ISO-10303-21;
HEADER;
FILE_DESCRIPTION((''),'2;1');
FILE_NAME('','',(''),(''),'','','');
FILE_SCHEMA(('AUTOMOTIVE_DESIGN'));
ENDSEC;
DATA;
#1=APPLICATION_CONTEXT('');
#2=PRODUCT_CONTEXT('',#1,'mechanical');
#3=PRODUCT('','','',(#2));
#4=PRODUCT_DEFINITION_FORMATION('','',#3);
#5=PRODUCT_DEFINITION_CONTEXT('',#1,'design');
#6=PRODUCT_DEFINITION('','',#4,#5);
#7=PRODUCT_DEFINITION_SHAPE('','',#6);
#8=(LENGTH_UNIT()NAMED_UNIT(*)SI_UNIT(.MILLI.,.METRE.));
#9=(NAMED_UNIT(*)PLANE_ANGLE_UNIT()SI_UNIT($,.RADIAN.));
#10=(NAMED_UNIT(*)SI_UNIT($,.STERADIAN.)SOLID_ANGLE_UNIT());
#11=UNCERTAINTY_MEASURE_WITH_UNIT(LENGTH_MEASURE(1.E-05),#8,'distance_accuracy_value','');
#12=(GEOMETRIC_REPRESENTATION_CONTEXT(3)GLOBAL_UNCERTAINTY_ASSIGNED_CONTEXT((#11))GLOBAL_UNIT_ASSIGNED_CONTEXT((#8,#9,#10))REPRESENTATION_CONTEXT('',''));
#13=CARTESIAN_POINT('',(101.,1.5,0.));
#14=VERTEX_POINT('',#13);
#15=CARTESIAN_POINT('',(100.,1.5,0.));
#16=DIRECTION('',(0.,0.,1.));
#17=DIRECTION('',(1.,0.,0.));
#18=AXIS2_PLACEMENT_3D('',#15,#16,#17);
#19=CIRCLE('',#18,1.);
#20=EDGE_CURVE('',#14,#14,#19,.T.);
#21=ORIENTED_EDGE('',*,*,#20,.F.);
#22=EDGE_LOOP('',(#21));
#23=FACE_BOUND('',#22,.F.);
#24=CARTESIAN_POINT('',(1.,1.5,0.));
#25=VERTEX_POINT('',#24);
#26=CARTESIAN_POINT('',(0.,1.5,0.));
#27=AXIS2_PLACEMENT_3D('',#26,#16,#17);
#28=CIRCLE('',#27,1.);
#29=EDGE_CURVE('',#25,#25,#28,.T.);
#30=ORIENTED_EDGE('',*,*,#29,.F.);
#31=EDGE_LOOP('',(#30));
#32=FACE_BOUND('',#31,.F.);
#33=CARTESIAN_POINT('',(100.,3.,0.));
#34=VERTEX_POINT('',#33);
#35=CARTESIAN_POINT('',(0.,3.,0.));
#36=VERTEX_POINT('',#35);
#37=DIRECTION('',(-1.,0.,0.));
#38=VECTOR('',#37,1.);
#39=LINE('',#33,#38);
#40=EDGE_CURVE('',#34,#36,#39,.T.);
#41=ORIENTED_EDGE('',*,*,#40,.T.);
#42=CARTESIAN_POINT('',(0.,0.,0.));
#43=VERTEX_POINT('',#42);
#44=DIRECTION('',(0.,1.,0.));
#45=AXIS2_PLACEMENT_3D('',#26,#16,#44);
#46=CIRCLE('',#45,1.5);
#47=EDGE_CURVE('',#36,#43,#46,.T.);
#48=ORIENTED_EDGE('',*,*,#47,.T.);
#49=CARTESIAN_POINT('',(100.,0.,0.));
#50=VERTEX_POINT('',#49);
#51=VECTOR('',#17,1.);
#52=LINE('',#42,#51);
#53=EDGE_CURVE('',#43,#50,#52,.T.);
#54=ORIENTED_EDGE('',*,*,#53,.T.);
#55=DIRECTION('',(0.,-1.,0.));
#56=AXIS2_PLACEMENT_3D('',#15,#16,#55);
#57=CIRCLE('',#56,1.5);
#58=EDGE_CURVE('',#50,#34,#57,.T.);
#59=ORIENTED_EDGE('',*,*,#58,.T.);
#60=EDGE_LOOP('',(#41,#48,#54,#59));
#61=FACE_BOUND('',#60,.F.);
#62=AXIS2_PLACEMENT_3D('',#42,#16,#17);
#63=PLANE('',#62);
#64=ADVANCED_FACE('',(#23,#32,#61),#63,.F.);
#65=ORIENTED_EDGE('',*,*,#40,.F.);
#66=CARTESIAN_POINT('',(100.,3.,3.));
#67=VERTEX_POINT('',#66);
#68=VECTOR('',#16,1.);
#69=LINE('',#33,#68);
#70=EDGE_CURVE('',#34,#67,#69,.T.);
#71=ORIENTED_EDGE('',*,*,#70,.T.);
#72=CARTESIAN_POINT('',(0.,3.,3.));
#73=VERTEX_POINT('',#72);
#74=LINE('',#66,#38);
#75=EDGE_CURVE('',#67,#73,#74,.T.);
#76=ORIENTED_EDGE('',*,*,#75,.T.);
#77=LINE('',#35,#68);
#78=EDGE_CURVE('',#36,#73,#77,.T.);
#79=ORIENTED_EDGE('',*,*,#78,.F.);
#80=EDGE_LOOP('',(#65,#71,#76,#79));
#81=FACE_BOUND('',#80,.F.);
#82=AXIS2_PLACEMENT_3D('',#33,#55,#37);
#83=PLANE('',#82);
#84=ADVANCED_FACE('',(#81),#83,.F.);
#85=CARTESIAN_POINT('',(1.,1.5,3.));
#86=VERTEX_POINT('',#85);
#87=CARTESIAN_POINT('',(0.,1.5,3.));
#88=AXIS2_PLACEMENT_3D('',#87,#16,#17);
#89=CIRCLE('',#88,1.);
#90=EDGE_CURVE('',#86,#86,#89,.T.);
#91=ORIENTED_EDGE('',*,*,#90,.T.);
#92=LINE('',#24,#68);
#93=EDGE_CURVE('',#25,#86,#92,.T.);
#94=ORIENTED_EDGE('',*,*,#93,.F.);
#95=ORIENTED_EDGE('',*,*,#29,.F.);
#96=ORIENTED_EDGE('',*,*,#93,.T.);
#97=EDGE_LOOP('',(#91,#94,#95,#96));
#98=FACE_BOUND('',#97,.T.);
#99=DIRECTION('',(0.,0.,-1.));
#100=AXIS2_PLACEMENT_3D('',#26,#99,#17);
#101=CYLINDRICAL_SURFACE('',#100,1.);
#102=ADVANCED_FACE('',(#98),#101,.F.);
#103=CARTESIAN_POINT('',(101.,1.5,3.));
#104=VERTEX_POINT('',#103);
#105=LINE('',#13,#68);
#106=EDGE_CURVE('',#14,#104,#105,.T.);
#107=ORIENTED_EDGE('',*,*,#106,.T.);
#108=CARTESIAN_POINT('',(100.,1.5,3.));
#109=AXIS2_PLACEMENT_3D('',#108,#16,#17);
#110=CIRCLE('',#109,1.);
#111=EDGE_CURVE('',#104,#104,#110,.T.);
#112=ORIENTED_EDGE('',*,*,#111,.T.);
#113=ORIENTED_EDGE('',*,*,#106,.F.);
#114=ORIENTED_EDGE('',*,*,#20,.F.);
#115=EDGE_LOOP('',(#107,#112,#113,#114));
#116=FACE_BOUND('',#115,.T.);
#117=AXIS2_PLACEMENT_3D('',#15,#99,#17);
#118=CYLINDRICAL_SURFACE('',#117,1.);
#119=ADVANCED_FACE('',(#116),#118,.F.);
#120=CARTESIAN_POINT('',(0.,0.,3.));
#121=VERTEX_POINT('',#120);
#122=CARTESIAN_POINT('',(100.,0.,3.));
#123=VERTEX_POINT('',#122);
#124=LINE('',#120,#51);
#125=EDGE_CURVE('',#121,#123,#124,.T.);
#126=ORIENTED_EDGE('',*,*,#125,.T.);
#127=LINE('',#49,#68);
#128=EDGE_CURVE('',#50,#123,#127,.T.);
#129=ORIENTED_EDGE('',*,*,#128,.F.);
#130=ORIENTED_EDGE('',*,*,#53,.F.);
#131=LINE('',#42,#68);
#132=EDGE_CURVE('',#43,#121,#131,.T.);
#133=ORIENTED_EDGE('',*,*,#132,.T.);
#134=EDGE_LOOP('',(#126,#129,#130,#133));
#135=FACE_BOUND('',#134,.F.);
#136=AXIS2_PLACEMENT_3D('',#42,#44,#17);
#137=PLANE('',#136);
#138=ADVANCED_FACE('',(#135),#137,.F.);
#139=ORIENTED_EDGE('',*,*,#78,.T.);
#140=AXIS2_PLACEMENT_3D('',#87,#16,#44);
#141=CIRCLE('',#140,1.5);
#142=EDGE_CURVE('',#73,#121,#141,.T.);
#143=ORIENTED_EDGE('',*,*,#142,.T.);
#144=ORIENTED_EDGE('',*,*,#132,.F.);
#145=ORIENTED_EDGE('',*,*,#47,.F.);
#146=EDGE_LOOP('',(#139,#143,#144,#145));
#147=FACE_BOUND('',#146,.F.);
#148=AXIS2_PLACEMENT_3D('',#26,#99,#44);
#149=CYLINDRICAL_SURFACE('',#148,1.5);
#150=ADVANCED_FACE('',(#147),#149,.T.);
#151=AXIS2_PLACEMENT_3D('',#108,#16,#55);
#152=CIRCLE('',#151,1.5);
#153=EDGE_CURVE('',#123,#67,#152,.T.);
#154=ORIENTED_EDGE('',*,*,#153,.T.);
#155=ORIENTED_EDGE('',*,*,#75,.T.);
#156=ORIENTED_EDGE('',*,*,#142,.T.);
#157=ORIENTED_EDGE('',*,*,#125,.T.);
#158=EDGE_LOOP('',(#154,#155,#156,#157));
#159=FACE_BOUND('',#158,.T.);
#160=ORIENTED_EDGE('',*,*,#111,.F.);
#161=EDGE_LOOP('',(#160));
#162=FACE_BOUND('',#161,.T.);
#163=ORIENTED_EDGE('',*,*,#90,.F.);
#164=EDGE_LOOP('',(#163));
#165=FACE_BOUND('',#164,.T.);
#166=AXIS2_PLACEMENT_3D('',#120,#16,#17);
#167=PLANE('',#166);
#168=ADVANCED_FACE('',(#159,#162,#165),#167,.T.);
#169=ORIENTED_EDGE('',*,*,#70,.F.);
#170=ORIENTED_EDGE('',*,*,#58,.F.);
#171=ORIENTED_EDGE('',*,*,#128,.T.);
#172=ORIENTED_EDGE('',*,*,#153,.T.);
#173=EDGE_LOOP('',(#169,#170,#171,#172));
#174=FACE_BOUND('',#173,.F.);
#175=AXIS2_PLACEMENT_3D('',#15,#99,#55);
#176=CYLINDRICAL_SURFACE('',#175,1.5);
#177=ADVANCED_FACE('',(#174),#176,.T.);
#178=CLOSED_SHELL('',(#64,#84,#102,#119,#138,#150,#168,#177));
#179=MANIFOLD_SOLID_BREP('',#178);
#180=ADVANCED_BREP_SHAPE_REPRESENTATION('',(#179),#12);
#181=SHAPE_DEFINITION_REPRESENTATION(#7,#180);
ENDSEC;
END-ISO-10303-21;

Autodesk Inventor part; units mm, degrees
ref_plane "YZ Plane" through (0, 0, 0) normal (1, 0, 0) x (0, 1, 0)
ref_plane "XZ Plane" through (0, 0, 0) normal (0, 1, 0) x (-1, 0, 0)
ref_plane "XY Plane" through (0, 0, 0) normal (0, 0, 1) x (1, 0, 0)
sketch "Sketch1" plane through (0, 0, 0) normal (0, 0, 1) x (1, 0, 0)
  line L0 (0, 0) -> (100, 0)
  line L1 (100, 3) -> (0, 3)
  arc A0 (0, 3) -> (0, 0) centre (0, 1.5) ccw
  arc A1 (100, 0) -> (100, 3) centre (100, 1.5) ccw
  circle A2 centre (0, 1.5) radius 1
  circle A3 centre (100, 1.5) radius 1
  dimension "d0" = 2
  dimension "d1" = 2
  dimension "d2" = 100
extrude "Extrusion1" add sketch "Sketch1" along normal blind 3
properties part number "L4"
